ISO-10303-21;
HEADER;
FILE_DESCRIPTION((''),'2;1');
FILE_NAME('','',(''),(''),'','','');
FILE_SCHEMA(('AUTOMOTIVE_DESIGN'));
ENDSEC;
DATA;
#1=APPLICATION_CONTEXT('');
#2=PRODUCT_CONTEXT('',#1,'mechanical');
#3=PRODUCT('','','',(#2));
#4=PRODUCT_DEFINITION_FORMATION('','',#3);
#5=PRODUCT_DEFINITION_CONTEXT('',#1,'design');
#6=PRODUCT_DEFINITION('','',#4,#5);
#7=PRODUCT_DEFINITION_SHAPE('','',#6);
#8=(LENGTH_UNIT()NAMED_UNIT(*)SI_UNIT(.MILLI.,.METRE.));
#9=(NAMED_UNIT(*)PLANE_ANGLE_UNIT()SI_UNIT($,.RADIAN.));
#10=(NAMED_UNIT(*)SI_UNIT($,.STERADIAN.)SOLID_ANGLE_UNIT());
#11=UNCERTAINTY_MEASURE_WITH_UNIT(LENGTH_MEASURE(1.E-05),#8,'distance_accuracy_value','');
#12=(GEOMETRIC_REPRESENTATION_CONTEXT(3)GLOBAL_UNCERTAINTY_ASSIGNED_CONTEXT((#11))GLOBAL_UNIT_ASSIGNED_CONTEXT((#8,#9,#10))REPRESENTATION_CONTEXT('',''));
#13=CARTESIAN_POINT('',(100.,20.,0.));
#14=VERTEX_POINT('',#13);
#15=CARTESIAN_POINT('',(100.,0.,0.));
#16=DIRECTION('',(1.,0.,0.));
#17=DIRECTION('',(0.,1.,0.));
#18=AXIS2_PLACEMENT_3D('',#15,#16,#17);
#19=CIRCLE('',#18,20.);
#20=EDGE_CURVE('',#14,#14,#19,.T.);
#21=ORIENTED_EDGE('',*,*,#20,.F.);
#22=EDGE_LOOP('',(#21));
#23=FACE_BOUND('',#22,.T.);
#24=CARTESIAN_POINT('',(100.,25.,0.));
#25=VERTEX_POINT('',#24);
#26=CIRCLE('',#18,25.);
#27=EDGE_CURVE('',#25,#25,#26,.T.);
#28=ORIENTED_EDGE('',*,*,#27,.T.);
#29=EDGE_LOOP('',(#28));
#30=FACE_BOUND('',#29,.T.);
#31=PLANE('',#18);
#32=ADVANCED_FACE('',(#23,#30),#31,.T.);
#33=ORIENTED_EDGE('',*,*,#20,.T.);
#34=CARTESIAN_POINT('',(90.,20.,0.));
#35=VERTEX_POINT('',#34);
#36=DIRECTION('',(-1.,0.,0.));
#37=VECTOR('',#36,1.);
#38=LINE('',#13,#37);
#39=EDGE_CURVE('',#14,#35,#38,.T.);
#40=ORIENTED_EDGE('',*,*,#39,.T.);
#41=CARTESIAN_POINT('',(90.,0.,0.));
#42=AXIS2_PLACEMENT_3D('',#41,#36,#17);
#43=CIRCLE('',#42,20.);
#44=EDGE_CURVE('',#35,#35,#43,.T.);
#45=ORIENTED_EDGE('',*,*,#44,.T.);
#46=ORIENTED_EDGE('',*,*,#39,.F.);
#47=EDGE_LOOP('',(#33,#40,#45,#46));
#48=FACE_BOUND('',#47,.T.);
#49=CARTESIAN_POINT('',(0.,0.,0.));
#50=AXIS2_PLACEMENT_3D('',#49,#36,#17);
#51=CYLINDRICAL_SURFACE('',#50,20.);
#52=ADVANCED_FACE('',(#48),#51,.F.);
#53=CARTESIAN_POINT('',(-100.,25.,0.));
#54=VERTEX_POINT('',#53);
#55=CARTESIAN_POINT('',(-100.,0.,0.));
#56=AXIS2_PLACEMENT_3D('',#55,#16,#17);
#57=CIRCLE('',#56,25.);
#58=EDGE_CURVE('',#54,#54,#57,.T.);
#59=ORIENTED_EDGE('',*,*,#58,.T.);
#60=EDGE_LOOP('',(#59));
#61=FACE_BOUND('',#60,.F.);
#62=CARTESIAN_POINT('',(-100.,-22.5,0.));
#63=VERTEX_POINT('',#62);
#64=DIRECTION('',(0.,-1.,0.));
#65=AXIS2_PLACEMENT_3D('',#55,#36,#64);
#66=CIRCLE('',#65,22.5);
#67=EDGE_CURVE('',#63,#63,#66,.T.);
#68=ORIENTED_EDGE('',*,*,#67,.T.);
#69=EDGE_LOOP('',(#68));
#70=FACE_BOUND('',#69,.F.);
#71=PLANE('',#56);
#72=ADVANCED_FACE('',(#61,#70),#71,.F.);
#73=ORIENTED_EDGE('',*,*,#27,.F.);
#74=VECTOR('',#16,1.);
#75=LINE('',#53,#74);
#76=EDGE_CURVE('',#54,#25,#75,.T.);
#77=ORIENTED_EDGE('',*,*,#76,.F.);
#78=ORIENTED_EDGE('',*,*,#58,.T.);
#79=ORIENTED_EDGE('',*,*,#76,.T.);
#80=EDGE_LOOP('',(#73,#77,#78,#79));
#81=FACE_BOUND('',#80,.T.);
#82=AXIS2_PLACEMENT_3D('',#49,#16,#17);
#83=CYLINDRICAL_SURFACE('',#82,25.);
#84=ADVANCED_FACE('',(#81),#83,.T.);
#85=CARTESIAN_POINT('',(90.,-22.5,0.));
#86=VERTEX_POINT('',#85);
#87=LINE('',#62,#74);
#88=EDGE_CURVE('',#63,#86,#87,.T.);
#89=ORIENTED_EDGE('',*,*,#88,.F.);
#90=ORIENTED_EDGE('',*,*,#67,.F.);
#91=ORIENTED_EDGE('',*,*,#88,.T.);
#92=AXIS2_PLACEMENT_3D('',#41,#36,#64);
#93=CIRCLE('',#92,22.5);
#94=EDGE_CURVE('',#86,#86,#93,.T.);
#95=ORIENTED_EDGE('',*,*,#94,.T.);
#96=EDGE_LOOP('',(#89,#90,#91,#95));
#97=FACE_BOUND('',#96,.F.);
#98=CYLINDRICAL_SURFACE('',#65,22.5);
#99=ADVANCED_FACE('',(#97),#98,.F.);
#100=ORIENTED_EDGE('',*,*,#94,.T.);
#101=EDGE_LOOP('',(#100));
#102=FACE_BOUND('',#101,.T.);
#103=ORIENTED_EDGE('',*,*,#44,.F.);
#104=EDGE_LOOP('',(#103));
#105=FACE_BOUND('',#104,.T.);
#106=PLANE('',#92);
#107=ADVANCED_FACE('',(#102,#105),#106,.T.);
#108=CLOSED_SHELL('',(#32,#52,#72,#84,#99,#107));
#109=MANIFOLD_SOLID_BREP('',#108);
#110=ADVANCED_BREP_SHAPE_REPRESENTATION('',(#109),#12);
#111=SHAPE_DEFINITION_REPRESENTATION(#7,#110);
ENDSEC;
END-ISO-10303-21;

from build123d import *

# Parameters (mm, degrees)
F0_R     = 25
F0_R_2   = 20
F1_DEPTH = 100
F2_R     = 22.5
F2_R_2   = 20
F3_DEPTH = 190


with BuildPart() as f1:
    # F0 (on Right) → F1 (new body, symmetric)
    with BuildSketch(Plane.YZ):
        Circle(F0_R)
        Circle(F0_R_2, mode=Mode.SUBTRACT)
    extrude(amount=F1_DEPTH, both=True)

    # F2 (on face) → F3 (cut)
    with BuildSketch(Plane(origin=(-100, 0, 0), x_dir=(0, -1, 0), z_dir=(-1, 0, 0))):
        Circle(F2_R)
        Circle(F2_R_2, mode=Mode.SUBTRACT)
    extrude(amount=-F3_DEPTH, mode=Mode.SUBTRACT)


solid = f1.part
